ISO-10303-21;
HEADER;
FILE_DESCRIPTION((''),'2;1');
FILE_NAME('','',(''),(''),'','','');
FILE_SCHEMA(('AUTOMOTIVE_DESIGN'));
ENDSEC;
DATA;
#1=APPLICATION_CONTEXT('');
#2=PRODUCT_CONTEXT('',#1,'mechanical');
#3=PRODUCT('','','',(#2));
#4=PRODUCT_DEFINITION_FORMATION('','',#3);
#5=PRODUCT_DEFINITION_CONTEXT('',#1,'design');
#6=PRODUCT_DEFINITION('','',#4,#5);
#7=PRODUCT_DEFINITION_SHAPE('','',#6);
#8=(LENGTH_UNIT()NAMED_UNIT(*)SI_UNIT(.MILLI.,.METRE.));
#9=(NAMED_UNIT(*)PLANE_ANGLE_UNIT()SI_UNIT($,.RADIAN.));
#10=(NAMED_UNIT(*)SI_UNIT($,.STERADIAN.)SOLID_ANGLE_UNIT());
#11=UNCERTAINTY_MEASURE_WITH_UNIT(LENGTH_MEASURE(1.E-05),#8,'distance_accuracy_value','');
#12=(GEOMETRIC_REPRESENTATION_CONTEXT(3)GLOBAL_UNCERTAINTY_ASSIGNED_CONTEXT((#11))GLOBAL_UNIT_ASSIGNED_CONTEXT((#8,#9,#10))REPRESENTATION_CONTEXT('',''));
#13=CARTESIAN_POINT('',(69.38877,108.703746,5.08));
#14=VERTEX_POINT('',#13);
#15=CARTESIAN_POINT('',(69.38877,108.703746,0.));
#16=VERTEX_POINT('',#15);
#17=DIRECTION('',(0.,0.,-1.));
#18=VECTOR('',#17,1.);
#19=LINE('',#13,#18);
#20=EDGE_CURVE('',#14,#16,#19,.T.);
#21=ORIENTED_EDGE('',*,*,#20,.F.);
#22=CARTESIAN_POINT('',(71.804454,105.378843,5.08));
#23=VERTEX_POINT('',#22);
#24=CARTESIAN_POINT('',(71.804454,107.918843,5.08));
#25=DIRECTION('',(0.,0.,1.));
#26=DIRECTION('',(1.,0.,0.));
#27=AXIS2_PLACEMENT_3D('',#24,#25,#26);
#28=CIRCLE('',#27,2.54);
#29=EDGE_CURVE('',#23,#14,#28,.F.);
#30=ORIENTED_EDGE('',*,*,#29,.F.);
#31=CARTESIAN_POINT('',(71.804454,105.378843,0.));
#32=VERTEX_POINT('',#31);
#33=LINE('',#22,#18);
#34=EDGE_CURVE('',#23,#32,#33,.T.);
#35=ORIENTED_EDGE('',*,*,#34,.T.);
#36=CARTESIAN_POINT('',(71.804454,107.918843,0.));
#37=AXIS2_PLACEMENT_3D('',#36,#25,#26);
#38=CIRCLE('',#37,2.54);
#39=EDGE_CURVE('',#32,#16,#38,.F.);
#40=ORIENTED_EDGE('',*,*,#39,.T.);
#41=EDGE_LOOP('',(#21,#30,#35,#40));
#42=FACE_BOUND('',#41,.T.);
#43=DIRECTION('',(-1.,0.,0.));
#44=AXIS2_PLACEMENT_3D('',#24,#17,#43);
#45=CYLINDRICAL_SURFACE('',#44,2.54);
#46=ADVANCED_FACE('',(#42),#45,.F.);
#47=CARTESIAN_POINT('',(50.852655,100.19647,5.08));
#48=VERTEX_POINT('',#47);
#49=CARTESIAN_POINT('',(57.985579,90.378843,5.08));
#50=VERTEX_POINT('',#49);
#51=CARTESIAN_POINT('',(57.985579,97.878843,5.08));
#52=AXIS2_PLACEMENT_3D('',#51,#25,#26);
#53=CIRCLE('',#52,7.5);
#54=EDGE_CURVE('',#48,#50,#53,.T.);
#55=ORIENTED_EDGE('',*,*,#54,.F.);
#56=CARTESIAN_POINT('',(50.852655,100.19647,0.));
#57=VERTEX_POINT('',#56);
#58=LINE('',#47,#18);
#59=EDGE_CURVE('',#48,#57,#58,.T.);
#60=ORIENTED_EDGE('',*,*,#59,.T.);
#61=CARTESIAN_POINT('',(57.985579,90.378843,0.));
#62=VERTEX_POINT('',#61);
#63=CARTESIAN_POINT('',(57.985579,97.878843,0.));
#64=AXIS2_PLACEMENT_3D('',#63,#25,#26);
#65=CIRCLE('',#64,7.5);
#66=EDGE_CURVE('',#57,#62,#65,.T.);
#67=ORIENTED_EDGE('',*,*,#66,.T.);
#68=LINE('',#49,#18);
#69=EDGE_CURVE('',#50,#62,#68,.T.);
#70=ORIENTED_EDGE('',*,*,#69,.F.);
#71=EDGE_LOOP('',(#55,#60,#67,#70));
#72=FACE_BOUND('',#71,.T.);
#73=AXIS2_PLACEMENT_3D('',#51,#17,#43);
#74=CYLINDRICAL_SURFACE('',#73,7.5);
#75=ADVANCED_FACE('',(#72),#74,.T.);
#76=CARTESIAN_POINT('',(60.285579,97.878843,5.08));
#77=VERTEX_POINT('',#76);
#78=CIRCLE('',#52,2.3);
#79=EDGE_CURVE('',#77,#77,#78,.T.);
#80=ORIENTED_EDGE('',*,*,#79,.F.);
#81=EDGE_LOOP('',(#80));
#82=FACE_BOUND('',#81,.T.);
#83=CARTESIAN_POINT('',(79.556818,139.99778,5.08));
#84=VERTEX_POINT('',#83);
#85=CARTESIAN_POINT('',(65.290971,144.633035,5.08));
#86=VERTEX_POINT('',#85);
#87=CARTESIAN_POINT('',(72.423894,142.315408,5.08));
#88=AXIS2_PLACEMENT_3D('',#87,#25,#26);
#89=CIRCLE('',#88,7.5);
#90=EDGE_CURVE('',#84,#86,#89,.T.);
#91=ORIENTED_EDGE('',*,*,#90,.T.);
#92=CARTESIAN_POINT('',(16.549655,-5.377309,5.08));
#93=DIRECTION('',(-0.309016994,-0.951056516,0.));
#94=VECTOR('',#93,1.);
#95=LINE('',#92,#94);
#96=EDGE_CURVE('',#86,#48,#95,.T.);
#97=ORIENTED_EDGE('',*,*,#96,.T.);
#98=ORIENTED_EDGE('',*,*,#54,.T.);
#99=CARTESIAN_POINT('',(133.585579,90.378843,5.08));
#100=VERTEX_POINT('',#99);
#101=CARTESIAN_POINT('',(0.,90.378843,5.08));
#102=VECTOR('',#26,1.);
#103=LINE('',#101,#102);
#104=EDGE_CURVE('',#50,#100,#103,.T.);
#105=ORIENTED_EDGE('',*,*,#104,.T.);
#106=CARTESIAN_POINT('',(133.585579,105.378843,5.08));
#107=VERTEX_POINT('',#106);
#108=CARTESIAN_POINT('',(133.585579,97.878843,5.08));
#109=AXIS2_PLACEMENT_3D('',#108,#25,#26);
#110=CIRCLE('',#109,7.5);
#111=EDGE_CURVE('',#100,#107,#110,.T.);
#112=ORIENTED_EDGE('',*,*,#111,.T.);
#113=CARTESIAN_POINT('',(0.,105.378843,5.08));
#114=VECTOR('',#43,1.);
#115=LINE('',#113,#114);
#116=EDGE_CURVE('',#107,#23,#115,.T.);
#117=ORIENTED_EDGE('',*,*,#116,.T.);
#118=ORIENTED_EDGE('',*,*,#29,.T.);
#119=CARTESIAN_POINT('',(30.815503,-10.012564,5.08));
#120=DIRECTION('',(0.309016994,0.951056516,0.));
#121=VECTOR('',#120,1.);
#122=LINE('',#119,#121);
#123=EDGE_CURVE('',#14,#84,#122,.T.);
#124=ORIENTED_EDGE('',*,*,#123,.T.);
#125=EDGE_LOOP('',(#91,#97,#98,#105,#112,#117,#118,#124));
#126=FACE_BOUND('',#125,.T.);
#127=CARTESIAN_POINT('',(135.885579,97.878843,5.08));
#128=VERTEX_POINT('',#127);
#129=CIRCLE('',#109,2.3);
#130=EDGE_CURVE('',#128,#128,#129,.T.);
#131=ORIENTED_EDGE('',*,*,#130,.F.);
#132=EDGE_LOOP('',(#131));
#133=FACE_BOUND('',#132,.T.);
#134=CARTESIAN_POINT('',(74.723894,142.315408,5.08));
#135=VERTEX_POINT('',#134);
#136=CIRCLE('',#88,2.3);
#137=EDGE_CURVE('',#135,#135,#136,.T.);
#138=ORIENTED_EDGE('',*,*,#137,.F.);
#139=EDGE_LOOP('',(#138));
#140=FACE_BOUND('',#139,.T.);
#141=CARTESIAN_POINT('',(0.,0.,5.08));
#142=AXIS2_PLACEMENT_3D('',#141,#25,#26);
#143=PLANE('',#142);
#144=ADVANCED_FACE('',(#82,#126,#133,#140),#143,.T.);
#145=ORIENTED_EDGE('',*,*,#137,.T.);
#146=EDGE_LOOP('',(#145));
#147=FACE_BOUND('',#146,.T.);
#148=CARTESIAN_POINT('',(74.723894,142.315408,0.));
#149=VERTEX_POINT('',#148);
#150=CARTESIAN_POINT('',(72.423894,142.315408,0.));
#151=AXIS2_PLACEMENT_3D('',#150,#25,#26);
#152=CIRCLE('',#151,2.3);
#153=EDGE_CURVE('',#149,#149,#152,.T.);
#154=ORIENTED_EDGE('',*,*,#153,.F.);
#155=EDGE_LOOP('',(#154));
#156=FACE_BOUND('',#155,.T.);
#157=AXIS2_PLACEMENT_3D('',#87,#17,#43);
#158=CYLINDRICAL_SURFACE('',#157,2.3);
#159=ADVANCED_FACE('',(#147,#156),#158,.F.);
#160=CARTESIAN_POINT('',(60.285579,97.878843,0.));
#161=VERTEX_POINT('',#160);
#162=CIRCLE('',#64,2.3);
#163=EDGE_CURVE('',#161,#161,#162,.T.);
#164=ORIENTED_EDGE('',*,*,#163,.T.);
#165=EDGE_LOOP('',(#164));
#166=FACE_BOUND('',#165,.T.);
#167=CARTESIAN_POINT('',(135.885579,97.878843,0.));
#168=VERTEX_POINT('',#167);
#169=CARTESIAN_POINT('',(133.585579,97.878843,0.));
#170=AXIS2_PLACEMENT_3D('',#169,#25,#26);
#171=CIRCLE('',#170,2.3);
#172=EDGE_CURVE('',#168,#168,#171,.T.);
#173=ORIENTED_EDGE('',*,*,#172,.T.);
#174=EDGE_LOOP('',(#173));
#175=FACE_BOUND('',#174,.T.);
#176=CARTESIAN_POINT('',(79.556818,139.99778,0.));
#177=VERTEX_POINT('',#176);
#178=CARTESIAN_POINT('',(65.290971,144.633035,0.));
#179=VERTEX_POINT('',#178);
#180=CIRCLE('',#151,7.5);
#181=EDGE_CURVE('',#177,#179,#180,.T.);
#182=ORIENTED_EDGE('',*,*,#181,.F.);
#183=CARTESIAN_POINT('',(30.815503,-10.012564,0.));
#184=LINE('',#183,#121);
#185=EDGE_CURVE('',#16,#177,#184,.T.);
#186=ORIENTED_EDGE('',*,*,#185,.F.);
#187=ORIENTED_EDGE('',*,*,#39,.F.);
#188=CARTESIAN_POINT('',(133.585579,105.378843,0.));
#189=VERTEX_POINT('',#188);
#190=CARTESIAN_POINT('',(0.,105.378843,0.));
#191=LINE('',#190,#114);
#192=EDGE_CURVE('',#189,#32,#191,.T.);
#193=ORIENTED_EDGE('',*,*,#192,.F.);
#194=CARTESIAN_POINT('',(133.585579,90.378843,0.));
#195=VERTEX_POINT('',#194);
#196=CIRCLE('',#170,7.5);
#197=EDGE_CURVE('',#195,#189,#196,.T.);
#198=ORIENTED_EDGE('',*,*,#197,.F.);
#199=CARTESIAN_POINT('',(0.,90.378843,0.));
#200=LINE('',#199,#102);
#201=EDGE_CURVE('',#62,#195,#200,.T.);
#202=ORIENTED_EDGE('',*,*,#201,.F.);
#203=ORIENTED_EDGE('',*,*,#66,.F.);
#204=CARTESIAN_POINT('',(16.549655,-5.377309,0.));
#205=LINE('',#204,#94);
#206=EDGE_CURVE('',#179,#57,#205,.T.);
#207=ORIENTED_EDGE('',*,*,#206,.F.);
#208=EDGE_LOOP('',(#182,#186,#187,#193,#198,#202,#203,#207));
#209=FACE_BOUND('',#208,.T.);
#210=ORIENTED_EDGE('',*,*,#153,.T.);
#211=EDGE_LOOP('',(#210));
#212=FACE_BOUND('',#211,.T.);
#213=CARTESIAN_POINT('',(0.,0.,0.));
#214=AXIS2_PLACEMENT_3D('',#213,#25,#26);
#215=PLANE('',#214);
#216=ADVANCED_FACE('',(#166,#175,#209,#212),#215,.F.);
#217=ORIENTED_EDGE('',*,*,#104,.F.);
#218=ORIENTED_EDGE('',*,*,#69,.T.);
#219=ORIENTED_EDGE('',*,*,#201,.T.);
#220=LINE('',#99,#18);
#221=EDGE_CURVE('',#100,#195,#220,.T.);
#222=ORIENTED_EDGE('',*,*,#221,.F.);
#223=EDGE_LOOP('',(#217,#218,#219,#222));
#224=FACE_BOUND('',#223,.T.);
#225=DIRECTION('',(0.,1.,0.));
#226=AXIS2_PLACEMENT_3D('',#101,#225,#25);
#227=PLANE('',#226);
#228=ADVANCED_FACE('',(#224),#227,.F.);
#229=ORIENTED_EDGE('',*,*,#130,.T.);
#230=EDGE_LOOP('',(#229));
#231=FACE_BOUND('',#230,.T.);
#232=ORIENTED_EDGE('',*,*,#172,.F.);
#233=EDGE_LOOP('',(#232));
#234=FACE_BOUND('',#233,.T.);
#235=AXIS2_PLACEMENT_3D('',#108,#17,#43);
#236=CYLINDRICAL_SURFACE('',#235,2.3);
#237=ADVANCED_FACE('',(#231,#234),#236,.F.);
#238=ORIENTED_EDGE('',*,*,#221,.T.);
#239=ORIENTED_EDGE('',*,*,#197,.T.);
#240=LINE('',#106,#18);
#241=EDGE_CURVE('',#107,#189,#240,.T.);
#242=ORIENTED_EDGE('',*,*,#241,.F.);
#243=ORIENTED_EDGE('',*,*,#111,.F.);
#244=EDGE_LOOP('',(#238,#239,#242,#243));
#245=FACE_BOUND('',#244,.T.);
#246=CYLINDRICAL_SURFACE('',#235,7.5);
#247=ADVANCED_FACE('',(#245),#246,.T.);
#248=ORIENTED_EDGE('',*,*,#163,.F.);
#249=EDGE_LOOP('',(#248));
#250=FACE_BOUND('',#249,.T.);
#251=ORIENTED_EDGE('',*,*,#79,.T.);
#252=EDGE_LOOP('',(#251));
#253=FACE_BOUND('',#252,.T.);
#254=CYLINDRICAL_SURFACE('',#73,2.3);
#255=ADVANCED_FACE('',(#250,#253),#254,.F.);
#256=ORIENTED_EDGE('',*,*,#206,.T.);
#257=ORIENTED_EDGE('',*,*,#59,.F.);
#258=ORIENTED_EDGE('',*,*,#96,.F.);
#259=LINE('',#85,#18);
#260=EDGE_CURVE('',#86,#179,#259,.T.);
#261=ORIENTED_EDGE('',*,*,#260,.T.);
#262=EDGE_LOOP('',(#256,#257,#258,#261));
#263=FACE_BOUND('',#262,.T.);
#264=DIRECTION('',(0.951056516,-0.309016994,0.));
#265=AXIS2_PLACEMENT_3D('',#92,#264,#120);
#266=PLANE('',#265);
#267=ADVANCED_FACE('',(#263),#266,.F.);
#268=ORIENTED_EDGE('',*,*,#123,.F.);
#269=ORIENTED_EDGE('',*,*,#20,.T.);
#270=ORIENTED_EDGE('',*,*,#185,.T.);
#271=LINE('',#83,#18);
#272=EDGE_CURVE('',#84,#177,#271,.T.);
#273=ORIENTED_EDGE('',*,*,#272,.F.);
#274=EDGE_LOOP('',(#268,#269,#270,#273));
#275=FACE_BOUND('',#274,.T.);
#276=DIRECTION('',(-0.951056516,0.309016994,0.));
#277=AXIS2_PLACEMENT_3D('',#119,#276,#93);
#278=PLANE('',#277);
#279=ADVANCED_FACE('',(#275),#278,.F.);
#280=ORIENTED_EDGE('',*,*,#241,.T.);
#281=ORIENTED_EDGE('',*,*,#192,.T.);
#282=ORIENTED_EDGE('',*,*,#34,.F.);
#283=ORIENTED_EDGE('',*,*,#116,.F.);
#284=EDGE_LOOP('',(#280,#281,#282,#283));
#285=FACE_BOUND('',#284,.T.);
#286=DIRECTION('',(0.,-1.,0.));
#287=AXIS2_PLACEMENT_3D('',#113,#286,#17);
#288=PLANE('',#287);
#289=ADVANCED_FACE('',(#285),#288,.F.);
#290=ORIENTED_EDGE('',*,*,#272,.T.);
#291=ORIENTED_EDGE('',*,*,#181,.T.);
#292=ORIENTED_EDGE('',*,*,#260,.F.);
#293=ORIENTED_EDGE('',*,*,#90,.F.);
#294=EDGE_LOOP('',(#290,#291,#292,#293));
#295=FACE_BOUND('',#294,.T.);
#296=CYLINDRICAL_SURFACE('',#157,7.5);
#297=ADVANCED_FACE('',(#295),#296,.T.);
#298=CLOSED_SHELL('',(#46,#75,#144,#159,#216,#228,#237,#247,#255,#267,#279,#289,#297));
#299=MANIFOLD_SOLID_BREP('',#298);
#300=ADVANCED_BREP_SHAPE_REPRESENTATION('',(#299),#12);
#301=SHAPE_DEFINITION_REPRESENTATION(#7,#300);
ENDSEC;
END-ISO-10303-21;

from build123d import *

# Parameters (mm, degrees)
BOSS_EXTRUDE1_DEPTH = 5.08


with BuildPart() as part:
    # Sketch1 → Boss-Extrude1 (new body)
    with BuildSketch(Plane.XY):
        with BuildLine():
            ThreePointArc((50.8526553, 100.196470122), (51.917951715, 93.470453272), (57.985579172, 90.378842665))
            Line((57.985579172, 90.378842665), (133.585579172, 90.378842665))
            ThreePointArc((133.585579172, 90.378842665), (138.888880031, 92.575541806), (141.085579172, 97.878842665))
            ThreePointArc((141.085579172, 97.878842665), (138.888880031, 103.182143524), (133.585579172, 105.378842665))
            Line((133.585579172, 105.378842665), (71.804453654, 105.378842665))
            ThreePointArc((71.804453654, 105.378842665), (69.749550488, 106.425868124), (69.388770103, 108.70374583))
            Line((69.388770103, 108.70374583), (79.55681827, 139.99778028))
            ThreePointArc((79.55681827, 139.99778028), (74.741521855, 149.44833161), (65.290970525, 144.633035196))
            Line((65.290970525, 144.633035196), (50.8526553, 100.196470122))
        make_face()
        with BuildLine():
            ThreePointArc((60.285579172, 97.878842665), (57.985579172, 95.578842665), (55.685579172, 97.878842665))
            ThreePointArc((55.685579172, 97.878842665), (57.985579172, 100.178842665), (60.285579172, 97.878842665))
        make_face(mode=Mode.SUBTRACT)
        with BuildLine():
            ThreePointArc((135.885579172, 97.878842665), (133.585579172, 95.578842665), (131.285579172, 97.878842665))
            ThreePointArc((131.285579172, 97.878842665), (133.585579172, 100.178842665), (135.885579172, 97.878842665))
        make_face(mode=Mode.SUBTRACT)
        with BuildLine():
            ThreePointArc((74.611324385, 141.604668651), (71.713155311, 140.12797775), (70.23646441, 143.026146825))
            ThreePointArc((70.23646441, 143.026146825), (73.134633485, 144.502837725), (74.611324385, 141.604668651))
        make_face(mode=Mode.SUBTRACT)
    extrude(amount=BOSS_EXTRUDE1_DEPTH)


solid = part.part
